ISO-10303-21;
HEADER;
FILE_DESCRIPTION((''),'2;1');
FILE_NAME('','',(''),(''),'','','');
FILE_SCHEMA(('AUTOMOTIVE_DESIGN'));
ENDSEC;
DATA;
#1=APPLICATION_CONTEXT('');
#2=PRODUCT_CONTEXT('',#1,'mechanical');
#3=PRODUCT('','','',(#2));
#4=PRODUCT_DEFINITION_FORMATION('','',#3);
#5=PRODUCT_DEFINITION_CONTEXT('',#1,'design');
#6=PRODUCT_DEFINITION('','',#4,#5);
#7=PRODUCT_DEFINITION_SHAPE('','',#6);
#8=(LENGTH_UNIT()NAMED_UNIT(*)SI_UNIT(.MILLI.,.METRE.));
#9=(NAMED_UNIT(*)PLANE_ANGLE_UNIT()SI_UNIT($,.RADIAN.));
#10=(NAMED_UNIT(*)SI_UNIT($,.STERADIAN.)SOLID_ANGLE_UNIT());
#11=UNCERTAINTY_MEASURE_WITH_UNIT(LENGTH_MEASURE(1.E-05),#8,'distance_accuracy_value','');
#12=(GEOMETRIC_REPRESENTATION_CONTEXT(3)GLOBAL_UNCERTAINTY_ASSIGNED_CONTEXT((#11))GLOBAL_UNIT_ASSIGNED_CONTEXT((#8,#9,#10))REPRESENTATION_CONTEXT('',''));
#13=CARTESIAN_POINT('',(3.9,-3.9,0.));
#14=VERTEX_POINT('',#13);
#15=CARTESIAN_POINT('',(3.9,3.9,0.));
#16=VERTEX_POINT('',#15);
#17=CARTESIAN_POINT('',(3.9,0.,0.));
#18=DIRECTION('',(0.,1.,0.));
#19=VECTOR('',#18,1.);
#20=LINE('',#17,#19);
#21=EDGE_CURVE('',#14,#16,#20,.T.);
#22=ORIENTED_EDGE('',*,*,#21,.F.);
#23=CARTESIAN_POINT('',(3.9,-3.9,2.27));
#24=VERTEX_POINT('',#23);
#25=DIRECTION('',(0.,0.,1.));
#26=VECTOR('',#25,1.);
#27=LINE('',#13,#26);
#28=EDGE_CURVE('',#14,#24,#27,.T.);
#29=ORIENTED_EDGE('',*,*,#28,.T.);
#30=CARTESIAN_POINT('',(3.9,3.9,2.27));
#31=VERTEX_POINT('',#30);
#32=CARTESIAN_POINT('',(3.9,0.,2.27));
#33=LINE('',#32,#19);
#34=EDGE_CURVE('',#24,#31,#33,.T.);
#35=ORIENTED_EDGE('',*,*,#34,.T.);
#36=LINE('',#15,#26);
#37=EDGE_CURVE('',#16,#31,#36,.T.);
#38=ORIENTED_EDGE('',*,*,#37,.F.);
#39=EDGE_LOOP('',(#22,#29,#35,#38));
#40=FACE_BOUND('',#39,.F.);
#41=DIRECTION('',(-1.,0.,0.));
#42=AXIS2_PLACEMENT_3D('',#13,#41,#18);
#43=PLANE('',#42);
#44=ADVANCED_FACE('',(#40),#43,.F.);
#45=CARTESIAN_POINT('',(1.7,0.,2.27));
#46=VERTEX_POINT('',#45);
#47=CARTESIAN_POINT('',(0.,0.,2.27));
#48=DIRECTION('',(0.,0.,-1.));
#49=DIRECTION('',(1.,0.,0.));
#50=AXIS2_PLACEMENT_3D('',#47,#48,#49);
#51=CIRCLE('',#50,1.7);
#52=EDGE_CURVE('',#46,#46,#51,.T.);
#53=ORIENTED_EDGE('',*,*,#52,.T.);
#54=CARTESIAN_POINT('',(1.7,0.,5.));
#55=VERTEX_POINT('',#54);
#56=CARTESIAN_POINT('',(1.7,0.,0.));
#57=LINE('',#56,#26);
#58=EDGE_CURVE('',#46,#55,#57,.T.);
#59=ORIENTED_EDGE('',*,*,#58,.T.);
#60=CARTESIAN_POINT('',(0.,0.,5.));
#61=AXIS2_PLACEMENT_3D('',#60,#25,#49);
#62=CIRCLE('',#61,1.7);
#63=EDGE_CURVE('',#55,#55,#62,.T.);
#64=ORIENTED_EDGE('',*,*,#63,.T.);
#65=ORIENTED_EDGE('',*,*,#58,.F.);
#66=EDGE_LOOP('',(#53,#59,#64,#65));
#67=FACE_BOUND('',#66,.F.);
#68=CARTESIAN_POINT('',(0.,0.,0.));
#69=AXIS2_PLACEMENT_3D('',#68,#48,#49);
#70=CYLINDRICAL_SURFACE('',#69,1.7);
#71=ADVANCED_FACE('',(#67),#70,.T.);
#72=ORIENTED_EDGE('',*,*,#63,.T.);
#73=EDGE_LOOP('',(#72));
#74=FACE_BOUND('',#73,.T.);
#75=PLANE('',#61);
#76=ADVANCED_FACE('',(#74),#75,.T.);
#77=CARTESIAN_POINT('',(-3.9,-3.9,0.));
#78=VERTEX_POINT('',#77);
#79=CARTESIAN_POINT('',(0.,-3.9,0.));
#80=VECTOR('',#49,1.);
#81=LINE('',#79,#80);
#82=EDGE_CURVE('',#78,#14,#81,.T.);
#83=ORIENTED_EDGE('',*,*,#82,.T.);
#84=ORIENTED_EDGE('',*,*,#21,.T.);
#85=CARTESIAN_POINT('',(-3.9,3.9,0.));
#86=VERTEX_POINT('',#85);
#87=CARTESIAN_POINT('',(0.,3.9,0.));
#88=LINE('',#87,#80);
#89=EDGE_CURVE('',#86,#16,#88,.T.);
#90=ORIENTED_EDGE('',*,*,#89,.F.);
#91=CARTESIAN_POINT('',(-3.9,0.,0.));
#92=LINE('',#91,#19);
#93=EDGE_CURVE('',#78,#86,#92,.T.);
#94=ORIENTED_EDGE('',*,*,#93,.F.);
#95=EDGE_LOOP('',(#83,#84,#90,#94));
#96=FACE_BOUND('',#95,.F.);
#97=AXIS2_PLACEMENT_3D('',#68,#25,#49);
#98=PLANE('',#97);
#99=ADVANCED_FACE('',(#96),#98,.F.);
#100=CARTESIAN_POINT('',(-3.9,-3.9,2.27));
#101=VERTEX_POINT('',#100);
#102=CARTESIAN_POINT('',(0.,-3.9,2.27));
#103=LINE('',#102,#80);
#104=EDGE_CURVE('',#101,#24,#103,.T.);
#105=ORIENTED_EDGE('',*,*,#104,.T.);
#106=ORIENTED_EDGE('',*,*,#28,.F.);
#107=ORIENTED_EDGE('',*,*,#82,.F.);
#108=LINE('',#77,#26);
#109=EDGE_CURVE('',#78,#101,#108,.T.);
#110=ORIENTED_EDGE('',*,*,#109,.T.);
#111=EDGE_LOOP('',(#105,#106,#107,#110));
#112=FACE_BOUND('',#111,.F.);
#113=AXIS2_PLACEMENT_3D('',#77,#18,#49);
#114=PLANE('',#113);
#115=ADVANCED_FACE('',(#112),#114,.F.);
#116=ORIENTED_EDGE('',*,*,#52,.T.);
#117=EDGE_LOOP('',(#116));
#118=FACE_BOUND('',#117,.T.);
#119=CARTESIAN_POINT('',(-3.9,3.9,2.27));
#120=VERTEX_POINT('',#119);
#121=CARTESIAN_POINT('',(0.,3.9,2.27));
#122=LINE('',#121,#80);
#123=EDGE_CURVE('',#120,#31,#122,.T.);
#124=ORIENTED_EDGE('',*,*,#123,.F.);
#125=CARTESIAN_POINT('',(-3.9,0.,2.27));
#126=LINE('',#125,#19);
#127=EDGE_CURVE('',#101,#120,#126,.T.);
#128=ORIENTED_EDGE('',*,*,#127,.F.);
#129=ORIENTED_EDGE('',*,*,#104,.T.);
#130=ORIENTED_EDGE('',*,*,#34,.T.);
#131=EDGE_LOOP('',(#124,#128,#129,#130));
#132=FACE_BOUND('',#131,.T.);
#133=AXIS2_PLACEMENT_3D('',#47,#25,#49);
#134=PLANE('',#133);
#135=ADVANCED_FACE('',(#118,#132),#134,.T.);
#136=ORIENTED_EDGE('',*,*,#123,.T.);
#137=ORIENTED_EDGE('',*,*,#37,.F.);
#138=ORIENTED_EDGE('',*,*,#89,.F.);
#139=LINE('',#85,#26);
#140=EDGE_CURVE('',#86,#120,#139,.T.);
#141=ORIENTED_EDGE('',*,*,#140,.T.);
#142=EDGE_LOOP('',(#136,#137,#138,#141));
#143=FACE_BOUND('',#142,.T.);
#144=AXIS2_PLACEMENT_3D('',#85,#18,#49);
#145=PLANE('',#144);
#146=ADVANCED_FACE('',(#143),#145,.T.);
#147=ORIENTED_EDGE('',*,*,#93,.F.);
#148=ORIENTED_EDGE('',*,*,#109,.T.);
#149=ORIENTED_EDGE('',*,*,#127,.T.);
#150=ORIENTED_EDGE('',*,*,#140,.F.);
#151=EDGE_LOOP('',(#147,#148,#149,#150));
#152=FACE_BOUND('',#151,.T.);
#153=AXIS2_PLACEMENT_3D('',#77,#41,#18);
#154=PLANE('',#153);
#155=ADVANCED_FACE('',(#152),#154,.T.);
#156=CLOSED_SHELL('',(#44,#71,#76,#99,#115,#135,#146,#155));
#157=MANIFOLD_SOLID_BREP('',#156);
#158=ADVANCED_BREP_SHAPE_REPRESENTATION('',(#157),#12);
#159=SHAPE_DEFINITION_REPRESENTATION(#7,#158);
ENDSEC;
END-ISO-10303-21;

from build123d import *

# Parameters (mm, degrees)
F0_W     = 7.8
F0_H     = 7.8
F0_R     = 1.7
F1_DEPTH = 2.27
F2_DEPTH = 5


with BuildPart() as f1:
    # F0 (on Top) → F1 (new body)
    with BuildSketch(Plane.XY):
        Rectangle(F0_W, F0_H)
        Circle(F0_R, mode=Mode.SUBTRACT)
        Circle(F0_R)
    extrude(amount=F1_DEPTH)

    # F0 (on Top) → F2 (join)
    with BuildSketch(Plane.XY):
        Circle(F0_R)
    extrude(amount=F2_DEPTH)


solid = f1.part
